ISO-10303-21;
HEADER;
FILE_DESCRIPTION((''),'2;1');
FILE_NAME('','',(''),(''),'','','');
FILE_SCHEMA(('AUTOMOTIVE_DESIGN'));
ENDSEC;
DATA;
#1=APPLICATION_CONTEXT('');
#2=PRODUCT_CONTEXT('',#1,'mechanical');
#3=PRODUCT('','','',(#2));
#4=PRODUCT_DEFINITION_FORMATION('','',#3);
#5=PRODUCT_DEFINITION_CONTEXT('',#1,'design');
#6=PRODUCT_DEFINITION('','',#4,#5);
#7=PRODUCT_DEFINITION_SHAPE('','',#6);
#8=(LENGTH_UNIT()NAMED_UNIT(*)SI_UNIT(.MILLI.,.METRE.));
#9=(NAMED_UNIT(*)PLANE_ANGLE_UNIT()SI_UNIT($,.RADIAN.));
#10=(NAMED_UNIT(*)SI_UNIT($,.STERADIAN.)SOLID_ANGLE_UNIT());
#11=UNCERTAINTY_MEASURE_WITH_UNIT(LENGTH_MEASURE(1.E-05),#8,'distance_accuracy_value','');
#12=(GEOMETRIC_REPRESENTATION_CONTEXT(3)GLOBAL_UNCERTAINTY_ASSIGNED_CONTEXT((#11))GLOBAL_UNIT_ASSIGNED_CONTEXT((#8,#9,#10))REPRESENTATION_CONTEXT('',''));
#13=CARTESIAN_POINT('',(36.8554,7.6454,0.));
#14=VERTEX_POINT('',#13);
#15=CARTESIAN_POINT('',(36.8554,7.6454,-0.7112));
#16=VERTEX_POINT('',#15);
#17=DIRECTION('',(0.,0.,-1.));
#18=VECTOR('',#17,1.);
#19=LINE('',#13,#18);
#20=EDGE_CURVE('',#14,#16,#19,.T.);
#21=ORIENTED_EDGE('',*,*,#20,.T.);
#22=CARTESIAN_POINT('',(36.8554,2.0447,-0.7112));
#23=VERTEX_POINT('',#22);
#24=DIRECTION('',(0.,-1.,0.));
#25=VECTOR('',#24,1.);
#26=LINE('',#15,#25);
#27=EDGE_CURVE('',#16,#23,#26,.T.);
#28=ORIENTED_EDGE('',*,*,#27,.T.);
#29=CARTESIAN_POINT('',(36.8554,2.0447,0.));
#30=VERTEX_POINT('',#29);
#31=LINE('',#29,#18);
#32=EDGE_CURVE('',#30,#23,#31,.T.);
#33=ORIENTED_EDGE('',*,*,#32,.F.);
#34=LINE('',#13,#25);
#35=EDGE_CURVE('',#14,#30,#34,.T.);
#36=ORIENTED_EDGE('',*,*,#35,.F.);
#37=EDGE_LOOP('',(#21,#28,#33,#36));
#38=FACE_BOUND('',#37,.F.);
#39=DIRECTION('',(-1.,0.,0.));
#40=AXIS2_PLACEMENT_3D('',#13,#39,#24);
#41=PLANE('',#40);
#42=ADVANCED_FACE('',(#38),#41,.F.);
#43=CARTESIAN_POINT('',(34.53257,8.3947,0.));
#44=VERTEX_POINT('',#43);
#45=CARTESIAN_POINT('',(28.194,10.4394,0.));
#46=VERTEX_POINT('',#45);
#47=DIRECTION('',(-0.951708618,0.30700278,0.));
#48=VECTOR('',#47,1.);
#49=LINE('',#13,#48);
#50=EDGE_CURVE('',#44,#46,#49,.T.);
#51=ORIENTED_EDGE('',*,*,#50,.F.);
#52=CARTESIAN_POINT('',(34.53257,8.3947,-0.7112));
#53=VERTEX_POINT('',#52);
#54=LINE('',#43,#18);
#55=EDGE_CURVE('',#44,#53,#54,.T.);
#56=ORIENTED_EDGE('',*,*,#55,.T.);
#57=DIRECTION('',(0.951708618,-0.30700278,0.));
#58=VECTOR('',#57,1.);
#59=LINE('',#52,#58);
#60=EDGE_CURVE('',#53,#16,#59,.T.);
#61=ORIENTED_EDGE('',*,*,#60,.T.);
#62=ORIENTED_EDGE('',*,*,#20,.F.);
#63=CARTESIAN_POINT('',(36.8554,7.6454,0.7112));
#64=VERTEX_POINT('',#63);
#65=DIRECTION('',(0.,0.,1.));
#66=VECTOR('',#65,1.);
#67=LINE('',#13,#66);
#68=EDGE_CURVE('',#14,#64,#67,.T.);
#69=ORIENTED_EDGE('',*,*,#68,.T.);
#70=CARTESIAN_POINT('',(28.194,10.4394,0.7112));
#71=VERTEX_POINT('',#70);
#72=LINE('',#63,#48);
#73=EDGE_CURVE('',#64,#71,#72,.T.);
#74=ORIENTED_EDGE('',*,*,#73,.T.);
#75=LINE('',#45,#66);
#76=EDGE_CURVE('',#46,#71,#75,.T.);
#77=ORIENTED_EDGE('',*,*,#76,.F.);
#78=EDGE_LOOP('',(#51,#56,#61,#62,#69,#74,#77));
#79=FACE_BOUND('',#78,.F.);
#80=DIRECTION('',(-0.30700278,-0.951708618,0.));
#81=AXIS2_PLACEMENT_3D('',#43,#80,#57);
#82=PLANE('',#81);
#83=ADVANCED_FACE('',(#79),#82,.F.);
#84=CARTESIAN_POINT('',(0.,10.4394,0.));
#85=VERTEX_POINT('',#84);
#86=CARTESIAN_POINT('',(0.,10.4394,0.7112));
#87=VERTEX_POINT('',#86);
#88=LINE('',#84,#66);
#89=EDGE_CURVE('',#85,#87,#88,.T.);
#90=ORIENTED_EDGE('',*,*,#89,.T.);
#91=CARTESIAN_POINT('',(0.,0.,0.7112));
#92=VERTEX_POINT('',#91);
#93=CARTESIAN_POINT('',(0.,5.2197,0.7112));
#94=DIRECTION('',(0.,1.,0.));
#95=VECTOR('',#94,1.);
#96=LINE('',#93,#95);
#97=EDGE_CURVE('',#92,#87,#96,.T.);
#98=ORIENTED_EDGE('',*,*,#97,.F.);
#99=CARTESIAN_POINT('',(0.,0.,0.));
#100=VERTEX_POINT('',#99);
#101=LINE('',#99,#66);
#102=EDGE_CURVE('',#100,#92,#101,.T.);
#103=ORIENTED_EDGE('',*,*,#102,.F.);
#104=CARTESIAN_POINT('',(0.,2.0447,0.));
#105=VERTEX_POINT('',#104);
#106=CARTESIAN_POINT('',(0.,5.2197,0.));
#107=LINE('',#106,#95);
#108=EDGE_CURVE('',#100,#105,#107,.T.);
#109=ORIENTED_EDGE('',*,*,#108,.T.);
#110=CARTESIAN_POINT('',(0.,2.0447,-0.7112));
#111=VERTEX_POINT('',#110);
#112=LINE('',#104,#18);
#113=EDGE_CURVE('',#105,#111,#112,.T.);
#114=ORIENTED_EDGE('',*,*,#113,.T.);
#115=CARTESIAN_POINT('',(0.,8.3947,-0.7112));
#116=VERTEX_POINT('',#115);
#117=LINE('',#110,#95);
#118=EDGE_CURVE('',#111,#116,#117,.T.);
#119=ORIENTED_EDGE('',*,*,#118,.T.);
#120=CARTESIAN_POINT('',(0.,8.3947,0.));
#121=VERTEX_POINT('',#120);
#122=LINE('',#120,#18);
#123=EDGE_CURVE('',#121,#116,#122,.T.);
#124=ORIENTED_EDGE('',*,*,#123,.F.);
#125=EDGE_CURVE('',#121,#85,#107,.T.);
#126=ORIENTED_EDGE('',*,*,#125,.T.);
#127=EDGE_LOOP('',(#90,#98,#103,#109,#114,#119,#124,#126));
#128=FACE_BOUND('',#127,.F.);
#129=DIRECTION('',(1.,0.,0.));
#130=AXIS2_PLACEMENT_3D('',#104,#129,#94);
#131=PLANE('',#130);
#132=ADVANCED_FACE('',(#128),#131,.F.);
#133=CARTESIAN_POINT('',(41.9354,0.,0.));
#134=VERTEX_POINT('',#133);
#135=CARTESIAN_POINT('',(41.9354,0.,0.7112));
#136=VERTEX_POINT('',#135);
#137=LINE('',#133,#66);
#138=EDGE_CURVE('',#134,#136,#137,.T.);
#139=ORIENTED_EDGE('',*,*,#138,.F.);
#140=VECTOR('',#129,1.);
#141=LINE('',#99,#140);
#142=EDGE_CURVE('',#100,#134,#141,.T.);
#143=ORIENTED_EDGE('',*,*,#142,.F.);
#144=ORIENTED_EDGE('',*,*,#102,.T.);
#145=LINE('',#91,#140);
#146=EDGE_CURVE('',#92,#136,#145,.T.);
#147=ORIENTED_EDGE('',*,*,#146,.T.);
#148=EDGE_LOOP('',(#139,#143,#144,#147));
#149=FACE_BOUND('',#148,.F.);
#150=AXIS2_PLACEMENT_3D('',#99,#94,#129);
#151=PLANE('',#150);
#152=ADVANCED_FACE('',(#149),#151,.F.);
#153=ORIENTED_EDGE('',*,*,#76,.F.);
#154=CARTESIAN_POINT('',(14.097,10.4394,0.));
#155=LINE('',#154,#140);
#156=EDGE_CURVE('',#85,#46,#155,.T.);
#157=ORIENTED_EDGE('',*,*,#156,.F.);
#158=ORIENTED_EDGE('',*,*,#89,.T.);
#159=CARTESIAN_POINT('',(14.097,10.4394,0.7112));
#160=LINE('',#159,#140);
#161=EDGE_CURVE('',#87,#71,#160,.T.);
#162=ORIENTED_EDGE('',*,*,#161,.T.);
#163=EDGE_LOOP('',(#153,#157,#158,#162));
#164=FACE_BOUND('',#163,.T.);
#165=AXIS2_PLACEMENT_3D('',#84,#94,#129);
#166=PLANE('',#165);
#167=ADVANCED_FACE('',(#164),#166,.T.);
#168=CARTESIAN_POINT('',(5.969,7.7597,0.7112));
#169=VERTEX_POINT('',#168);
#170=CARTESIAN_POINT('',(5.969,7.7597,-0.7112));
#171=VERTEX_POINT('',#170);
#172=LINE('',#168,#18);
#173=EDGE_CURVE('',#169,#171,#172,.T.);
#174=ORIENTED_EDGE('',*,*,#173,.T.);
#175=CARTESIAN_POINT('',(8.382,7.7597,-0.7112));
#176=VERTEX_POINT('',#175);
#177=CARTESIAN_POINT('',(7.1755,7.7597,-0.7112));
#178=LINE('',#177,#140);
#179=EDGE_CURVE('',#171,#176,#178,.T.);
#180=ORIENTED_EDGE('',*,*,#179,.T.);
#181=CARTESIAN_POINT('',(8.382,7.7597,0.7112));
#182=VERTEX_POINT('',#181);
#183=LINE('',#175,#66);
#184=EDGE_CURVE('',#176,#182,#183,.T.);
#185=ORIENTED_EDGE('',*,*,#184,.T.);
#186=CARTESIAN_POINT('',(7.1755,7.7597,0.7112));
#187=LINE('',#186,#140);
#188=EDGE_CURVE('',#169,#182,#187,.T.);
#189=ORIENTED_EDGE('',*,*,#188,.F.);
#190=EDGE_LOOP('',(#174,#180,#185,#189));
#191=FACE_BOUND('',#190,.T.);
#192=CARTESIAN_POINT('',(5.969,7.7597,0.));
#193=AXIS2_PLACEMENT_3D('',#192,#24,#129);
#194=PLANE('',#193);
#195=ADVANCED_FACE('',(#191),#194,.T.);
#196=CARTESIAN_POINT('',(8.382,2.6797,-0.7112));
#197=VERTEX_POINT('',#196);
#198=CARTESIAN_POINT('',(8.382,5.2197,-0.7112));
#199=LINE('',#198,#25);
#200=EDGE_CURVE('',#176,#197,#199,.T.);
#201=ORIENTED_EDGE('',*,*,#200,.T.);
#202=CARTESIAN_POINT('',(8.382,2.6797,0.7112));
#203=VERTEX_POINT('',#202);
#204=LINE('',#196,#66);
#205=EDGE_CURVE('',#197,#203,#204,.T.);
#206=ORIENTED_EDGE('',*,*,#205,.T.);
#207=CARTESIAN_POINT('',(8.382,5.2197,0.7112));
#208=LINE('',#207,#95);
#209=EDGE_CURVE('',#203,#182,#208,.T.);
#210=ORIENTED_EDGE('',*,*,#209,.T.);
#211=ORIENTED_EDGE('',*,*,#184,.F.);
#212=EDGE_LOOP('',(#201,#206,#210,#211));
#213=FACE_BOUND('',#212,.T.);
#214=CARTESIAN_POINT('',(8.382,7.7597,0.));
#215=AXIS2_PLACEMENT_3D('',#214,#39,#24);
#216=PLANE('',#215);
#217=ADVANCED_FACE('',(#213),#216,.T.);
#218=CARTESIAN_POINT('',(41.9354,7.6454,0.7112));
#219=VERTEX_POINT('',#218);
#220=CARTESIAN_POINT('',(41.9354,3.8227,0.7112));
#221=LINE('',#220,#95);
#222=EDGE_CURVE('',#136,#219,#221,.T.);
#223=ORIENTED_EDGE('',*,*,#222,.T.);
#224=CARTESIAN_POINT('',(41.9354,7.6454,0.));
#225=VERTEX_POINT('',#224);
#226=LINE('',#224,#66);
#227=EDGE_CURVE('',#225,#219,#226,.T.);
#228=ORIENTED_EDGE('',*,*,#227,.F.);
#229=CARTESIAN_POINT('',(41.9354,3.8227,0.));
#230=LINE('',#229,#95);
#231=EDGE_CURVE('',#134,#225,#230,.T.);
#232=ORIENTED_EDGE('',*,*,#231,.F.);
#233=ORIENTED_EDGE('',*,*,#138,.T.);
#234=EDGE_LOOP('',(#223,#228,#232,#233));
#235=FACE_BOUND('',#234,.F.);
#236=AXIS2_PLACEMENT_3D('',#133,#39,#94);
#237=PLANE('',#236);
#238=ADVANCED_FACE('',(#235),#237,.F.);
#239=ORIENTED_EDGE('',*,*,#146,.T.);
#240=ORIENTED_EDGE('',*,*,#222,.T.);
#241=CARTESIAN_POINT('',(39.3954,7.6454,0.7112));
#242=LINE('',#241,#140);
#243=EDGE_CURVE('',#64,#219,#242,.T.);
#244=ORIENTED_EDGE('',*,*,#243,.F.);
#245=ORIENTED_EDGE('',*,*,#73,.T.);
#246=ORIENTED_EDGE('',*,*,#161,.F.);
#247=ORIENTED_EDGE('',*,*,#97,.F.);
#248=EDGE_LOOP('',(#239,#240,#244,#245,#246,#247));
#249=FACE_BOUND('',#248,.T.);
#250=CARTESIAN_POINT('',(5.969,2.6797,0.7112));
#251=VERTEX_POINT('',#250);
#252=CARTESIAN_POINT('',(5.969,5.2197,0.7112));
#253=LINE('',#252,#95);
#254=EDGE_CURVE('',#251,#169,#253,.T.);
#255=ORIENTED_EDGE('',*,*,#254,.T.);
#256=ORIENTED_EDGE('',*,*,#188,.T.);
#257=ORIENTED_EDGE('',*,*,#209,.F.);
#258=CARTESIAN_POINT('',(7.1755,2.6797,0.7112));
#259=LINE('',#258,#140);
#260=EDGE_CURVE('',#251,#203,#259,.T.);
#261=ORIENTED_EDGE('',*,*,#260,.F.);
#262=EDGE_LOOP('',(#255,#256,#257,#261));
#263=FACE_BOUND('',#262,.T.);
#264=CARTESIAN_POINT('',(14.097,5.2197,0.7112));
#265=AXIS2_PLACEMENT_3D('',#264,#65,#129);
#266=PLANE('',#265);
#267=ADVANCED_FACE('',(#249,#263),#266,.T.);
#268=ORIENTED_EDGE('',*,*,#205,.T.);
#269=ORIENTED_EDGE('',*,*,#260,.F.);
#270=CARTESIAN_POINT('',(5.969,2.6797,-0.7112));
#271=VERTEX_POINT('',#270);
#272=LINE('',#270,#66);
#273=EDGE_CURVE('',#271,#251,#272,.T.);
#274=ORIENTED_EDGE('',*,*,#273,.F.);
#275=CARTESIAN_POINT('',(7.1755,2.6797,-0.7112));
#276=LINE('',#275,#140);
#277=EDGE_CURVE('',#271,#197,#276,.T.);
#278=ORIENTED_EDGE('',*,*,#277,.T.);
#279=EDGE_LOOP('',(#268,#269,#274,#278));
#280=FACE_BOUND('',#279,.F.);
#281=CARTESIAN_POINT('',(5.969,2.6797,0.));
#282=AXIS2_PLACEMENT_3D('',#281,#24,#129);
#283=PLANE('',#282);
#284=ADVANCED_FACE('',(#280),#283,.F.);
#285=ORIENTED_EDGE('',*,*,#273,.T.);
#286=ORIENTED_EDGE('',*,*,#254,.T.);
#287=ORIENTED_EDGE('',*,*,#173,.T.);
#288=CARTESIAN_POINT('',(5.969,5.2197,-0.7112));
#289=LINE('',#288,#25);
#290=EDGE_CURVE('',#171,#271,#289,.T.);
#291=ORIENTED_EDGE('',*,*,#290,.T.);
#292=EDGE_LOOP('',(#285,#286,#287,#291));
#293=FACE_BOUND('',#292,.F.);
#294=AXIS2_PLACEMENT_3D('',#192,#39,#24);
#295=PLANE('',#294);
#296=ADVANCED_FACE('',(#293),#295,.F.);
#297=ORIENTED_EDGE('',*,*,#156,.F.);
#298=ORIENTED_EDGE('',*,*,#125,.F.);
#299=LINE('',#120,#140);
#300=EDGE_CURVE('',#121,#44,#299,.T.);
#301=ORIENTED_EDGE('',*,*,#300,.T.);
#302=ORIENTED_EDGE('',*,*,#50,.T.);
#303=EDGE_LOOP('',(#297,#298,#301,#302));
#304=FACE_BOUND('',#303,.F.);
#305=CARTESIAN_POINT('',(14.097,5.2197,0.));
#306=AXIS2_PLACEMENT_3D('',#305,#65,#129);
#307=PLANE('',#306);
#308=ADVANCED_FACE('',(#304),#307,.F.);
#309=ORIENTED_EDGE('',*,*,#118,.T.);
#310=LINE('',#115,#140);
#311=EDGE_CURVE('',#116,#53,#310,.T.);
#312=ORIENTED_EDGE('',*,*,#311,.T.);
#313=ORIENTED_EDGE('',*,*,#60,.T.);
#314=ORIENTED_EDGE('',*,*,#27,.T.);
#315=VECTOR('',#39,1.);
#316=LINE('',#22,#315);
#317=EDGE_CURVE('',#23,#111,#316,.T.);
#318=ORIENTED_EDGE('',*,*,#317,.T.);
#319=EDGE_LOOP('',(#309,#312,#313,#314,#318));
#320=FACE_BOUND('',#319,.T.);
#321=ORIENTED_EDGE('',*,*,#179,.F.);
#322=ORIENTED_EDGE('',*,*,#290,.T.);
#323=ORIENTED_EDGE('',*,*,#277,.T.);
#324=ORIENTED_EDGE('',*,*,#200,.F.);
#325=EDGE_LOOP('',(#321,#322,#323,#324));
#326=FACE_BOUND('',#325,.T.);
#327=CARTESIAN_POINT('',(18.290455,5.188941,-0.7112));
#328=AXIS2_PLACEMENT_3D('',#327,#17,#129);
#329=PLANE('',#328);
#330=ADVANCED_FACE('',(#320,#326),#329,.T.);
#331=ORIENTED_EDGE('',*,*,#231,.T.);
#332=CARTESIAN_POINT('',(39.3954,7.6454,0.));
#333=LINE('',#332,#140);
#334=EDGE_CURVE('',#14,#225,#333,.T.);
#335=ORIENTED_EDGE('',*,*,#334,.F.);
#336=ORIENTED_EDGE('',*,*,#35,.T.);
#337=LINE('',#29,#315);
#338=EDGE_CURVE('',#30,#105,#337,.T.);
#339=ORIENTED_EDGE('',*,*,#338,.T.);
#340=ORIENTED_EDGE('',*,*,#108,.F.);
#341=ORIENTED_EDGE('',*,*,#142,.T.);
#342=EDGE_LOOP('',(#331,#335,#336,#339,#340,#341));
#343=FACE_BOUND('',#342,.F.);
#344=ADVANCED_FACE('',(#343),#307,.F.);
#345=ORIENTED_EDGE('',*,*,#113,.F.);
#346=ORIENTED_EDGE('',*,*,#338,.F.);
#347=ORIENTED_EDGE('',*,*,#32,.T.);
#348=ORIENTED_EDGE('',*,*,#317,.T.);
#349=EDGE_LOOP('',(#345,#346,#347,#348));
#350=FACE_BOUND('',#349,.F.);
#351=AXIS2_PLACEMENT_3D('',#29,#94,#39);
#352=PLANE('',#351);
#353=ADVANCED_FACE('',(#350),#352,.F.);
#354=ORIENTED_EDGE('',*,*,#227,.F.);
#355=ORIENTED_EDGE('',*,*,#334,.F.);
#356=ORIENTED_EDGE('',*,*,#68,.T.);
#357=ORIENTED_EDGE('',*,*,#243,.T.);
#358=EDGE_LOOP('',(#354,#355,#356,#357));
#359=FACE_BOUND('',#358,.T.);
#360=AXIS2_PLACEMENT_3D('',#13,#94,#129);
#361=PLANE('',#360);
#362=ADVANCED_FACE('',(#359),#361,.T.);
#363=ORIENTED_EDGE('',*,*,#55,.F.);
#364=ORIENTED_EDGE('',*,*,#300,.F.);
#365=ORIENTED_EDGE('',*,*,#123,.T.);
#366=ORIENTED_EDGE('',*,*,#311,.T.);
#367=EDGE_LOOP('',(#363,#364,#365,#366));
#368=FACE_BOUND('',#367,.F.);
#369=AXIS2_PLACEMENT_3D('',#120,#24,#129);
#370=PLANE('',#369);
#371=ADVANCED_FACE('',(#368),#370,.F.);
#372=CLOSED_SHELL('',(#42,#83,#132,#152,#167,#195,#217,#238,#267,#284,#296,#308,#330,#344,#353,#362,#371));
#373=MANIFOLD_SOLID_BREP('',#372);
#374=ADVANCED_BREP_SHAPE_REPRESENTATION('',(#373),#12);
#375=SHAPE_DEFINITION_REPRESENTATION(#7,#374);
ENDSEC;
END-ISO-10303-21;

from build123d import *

# Parameters (mm, degrees)
F0_W     = 28.194
F0_H     = 10.4394
F0_W_2   = 2.413
F0_H_2   = 5.08
F0_W_3   = 5.08
F0_H_3   = 7.6454
F1_DEPTH = 0.7112
F2_W     = 2.413
F2_H     = 5.08
F3_DEPTH = 0.7112


with BuildPart() as f1:
    # F0 (on Top) → F1 (new body)
    with BuildSketch(Plane.XY):
        with Locations((14.097, 5.2197)):
            Rectangle(F0_W, F0_H)
        with Locations((7.1755, 5.2197)):
            Rectangle(F0_W_2, F0_H_2, mode=Mode.SUBTRACT)
        Polygon((28.194, 10.4394), (28.194, 0), (36.8554, 0), (36.8554, 7.6454), align=None)
        with Locations((39.3954, 3.8227)):
            Rectangle(F0_W_3, F0_H_3)
    extrude(amount=F1_DEPTH)

    # F2 (on face) → F3 (join)
    with BuildSketch(Plane(origin=(0, 0, 0), x_dir=(1, 0, 0), z_dir=(0, 0, -1))):
        Polygon((36.8554, -2.0447), (0, -2.0447), (0, -8.3947), (34.53257, -8.3947), (36.8554, -7.6454), align=None)
        with Locations((7.1755, -5.2197)):
            Rectangle(F2_W, F2_H, mode=Mode.SUBTRACT)
    extrude(amount=F3_DEPTH)


solid = f1.part
